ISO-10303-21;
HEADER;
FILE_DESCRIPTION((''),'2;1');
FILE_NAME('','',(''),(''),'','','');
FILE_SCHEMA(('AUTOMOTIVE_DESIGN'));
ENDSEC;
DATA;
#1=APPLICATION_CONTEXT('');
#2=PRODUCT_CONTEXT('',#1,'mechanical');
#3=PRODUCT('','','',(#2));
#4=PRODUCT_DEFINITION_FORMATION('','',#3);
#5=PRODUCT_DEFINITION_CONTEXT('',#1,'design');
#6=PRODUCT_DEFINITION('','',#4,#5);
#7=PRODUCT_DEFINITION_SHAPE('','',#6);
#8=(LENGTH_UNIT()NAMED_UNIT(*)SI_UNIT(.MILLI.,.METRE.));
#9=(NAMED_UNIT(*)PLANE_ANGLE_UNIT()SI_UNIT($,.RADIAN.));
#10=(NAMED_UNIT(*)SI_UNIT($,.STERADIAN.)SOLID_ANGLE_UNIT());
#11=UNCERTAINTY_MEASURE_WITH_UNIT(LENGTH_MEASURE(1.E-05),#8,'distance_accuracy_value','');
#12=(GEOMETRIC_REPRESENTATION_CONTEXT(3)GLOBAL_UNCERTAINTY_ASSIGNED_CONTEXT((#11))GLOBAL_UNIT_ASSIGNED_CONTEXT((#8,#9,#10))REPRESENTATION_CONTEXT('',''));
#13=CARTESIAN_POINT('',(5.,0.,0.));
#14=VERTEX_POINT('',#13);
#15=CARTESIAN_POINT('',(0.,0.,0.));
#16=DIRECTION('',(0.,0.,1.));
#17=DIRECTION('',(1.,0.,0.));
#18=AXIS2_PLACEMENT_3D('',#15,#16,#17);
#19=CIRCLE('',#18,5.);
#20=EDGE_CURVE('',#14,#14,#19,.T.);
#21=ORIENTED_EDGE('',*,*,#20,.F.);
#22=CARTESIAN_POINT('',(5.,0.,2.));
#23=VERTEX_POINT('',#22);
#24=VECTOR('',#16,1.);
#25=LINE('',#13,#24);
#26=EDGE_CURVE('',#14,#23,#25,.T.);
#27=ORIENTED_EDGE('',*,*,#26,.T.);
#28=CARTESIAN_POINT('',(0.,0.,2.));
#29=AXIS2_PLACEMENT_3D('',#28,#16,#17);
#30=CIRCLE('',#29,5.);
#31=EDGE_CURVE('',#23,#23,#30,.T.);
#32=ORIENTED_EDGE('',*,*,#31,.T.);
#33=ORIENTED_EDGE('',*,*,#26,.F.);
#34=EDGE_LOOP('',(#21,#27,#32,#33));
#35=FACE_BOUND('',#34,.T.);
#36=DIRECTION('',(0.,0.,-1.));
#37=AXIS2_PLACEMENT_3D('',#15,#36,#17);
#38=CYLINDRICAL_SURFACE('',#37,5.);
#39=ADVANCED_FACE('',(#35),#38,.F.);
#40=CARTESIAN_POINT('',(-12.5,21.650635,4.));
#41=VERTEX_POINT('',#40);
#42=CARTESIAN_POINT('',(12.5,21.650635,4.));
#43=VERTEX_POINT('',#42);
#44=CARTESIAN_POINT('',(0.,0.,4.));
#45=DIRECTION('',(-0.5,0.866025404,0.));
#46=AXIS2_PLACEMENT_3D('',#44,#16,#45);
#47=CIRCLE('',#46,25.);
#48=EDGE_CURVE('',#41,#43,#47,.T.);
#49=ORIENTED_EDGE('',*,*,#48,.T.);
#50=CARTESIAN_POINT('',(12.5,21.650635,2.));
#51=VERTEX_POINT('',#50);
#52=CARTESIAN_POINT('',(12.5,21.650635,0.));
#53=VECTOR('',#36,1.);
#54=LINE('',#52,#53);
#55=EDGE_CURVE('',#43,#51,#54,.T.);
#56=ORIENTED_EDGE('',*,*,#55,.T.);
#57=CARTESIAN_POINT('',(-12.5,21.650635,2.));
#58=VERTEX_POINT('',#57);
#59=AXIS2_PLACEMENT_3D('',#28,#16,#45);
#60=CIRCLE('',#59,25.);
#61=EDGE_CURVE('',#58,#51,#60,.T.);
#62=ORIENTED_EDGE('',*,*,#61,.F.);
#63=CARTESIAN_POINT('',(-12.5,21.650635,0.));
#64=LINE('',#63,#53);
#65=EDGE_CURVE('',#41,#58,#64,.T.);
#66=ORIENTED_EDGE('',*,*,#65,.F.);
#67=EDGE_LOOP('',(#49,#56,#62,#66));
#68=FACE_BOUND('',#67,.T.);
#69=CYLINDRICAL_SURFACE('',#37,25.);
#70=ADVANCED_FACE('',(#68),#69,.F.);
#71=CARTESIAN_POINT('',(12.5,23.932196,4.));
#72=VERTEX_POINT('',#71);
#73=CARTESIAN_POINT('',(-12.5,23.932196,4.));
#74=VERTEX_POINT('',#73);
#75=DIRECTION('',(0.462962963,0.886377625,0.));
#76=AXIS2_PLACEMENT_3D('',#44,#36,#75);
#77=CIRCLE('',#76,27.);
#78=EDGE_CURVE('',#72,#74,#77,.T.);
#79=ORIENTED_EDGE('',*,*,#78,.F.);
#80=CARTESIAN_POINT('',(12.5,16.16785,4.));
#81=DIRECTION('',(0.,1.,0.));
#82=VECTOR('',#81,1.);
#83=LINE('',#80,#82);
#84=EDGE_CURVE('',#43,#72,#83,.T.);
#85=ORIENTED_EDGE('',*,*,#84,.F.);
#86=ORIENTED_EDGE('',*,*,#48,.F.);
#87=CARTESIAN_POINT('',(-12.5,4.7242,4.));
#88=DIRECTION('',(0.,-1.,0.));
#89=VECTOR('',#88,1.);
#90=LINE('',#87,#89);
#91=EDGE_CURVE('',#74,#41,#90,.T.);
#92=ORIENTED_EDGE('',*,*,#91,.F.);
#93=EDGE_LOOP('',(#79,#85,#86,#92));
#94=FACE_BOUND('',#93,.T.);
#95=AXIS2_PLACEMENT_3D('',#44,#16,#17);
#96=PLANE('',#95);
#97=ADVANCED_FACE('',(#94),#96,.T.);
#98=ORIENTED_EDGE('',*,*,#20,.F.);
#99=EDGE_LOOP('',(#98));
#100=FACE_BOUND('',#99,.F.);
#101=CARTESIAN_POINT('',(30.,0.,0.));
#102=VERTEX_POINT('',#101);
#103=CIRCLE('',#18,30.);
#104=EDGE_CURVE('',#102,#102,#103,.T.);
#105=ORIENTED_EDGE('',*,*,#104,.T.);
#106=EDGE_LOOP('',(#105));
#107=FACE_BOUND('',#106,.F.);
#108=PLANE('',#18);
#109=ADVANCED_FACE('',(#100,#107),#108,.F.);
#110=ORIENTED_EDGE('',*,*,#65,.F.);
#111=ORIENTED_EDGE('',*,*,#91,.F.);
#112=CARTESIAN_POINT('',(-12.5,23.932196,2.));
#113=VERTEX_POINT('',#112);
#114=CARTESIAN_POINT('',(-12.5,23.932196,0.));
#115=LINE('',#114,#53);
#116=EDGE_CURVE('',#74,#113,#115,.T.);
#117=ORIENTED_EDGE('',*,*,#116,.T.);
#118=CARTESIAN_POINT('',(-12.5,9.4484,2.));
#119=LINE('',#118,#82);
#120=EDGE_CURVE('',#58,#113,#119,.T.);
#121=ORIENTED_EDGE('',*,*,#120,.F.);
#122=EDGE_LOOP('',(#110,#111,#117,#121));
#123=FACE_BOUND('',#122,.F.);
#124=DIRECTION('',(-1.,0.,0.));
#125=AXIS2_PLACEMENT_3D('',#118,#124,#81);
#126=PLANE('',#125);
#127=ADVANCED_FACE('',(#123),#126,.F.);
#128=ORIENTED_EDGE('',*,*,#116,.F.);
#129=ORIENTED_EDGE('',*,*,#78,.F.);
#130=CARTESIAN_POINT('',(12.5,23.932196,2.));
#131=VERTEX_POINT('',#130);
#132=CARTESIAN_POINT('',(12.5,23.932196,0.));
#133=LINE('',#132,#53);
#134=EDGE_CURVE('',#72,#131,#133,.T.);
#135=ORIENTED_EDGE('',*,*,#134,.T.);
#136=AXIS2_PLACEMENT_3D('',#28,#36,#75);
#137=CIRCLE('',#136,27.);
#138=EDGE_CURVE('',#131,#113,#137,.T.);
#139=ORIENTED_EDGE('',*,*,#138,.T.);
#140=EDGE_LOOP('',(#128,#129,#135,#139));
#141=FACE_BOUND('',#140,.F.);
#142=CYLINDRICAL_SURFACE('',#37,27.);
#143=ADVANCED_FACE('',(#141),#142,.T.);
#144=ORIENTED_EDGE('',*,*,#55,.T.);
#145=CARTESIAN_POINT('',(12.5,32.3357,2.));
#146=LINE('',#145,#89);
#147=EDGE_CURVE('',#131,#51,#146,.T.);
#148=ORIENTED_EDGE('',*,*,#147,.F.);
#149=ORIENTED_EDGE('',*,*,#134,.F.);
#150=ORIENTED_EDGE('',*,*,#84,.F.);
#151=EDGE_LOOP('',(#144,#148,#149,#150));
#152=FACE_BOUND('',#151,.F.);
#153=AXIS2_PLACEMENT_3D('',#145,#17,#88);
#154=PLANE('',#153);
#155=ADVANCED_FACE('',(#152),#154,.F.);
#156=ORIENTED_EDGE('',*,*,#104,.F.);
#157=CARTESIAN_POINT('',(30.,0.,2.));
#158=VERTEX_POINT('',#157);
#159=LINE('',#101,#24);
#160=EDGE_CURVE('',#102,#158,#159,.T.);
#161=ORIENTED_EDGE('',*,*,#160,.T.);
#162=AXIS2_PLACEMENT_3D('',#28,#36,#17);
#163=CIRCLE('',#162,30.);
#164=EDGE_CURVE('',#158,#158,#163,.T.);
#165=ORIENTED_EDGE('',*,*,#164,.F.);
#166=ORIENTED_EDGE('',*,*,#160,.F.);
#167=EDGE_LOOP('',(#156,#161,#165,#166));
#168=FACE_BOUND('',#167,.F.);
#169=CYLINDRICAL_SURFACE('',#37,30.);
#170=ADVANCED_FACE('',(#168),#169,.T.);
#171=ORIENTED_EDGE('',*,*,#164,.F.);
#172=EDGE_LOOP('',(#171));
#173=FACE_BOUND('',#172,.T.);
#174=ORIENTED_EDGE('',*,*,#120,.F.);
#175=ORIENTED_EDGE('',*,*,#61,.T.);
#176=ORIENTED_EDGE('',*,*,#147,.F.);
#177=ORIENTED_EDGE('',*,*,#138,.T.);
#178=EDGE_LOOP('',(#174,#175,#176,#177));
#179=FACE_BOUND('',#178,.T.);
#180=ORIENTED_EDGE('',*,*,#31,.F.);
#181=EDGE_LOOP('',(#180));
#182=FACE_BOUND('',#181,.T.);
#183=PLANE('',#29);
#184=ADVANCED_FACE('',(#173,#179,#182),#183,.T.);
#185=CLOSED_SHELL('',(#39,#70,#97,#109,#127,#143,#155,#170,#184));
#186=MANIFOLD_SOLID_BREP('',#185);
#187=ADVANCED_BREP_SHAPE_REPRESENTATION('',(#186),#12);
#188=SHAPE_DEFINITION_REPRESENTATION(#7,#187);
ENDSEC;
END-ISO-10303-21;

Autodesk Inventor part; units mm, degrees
ref_plane "YZ Plane" through (0, 0, 0) normal (1, 0, 0) x (0, 1, 0)
ref_plane "XZ Plane" through (0, 0, 0) normal (0, 1, 0) x (-1, 0, 0)
sketch "Sketch1" plane through (0, 0, 0) normal (0, 0, 1) x (1, 0, 0)
  circle A0 centre (0, 0) radius 30
  circle A1 centre (0, 0) radius 27
  circle A2 centre (0, 0) radius 5
  circle A3 centre (0, 0) radius 25
  dimension "d0" = 60
  dimension "d1" = 3
  dimension "d2" = 10
  dimension "d3" = 2
extrude "Extrusion1" add sketch "Sketch1" along normal blind 2 contours A0 | A1 | A3
extrude "Extrusion2" add sketch "Sketch1" along normal blind 4 contours A1
ref_plane "Work Plane1" through (0, 0, 2) normal (0, 0, 1) x (1, 0, 0)
sketch "Sketch2" plane through (0, 0, 2) normal (0, 0, 1) x (1, 0, 0)
  line L0 (-12.5, 32.3357) -> (12.5, 32.3357)
  line L1 (12.5, 32.3357) -> (12.5, 9.4484)
  line L2 (12.5, 9.4484) -> (-12.5, 9.4484)
  line L3 (-12.5, 9.4484) -> (-12.5, 32.3357)
  point P0 (0, 0)
  point P1 (0, 9.4484)
  dimension "d9" = 25
extrude "Extrusion3" cut sketch "Sketch2" along normal blind 4
properties part number "ServoHorn"
